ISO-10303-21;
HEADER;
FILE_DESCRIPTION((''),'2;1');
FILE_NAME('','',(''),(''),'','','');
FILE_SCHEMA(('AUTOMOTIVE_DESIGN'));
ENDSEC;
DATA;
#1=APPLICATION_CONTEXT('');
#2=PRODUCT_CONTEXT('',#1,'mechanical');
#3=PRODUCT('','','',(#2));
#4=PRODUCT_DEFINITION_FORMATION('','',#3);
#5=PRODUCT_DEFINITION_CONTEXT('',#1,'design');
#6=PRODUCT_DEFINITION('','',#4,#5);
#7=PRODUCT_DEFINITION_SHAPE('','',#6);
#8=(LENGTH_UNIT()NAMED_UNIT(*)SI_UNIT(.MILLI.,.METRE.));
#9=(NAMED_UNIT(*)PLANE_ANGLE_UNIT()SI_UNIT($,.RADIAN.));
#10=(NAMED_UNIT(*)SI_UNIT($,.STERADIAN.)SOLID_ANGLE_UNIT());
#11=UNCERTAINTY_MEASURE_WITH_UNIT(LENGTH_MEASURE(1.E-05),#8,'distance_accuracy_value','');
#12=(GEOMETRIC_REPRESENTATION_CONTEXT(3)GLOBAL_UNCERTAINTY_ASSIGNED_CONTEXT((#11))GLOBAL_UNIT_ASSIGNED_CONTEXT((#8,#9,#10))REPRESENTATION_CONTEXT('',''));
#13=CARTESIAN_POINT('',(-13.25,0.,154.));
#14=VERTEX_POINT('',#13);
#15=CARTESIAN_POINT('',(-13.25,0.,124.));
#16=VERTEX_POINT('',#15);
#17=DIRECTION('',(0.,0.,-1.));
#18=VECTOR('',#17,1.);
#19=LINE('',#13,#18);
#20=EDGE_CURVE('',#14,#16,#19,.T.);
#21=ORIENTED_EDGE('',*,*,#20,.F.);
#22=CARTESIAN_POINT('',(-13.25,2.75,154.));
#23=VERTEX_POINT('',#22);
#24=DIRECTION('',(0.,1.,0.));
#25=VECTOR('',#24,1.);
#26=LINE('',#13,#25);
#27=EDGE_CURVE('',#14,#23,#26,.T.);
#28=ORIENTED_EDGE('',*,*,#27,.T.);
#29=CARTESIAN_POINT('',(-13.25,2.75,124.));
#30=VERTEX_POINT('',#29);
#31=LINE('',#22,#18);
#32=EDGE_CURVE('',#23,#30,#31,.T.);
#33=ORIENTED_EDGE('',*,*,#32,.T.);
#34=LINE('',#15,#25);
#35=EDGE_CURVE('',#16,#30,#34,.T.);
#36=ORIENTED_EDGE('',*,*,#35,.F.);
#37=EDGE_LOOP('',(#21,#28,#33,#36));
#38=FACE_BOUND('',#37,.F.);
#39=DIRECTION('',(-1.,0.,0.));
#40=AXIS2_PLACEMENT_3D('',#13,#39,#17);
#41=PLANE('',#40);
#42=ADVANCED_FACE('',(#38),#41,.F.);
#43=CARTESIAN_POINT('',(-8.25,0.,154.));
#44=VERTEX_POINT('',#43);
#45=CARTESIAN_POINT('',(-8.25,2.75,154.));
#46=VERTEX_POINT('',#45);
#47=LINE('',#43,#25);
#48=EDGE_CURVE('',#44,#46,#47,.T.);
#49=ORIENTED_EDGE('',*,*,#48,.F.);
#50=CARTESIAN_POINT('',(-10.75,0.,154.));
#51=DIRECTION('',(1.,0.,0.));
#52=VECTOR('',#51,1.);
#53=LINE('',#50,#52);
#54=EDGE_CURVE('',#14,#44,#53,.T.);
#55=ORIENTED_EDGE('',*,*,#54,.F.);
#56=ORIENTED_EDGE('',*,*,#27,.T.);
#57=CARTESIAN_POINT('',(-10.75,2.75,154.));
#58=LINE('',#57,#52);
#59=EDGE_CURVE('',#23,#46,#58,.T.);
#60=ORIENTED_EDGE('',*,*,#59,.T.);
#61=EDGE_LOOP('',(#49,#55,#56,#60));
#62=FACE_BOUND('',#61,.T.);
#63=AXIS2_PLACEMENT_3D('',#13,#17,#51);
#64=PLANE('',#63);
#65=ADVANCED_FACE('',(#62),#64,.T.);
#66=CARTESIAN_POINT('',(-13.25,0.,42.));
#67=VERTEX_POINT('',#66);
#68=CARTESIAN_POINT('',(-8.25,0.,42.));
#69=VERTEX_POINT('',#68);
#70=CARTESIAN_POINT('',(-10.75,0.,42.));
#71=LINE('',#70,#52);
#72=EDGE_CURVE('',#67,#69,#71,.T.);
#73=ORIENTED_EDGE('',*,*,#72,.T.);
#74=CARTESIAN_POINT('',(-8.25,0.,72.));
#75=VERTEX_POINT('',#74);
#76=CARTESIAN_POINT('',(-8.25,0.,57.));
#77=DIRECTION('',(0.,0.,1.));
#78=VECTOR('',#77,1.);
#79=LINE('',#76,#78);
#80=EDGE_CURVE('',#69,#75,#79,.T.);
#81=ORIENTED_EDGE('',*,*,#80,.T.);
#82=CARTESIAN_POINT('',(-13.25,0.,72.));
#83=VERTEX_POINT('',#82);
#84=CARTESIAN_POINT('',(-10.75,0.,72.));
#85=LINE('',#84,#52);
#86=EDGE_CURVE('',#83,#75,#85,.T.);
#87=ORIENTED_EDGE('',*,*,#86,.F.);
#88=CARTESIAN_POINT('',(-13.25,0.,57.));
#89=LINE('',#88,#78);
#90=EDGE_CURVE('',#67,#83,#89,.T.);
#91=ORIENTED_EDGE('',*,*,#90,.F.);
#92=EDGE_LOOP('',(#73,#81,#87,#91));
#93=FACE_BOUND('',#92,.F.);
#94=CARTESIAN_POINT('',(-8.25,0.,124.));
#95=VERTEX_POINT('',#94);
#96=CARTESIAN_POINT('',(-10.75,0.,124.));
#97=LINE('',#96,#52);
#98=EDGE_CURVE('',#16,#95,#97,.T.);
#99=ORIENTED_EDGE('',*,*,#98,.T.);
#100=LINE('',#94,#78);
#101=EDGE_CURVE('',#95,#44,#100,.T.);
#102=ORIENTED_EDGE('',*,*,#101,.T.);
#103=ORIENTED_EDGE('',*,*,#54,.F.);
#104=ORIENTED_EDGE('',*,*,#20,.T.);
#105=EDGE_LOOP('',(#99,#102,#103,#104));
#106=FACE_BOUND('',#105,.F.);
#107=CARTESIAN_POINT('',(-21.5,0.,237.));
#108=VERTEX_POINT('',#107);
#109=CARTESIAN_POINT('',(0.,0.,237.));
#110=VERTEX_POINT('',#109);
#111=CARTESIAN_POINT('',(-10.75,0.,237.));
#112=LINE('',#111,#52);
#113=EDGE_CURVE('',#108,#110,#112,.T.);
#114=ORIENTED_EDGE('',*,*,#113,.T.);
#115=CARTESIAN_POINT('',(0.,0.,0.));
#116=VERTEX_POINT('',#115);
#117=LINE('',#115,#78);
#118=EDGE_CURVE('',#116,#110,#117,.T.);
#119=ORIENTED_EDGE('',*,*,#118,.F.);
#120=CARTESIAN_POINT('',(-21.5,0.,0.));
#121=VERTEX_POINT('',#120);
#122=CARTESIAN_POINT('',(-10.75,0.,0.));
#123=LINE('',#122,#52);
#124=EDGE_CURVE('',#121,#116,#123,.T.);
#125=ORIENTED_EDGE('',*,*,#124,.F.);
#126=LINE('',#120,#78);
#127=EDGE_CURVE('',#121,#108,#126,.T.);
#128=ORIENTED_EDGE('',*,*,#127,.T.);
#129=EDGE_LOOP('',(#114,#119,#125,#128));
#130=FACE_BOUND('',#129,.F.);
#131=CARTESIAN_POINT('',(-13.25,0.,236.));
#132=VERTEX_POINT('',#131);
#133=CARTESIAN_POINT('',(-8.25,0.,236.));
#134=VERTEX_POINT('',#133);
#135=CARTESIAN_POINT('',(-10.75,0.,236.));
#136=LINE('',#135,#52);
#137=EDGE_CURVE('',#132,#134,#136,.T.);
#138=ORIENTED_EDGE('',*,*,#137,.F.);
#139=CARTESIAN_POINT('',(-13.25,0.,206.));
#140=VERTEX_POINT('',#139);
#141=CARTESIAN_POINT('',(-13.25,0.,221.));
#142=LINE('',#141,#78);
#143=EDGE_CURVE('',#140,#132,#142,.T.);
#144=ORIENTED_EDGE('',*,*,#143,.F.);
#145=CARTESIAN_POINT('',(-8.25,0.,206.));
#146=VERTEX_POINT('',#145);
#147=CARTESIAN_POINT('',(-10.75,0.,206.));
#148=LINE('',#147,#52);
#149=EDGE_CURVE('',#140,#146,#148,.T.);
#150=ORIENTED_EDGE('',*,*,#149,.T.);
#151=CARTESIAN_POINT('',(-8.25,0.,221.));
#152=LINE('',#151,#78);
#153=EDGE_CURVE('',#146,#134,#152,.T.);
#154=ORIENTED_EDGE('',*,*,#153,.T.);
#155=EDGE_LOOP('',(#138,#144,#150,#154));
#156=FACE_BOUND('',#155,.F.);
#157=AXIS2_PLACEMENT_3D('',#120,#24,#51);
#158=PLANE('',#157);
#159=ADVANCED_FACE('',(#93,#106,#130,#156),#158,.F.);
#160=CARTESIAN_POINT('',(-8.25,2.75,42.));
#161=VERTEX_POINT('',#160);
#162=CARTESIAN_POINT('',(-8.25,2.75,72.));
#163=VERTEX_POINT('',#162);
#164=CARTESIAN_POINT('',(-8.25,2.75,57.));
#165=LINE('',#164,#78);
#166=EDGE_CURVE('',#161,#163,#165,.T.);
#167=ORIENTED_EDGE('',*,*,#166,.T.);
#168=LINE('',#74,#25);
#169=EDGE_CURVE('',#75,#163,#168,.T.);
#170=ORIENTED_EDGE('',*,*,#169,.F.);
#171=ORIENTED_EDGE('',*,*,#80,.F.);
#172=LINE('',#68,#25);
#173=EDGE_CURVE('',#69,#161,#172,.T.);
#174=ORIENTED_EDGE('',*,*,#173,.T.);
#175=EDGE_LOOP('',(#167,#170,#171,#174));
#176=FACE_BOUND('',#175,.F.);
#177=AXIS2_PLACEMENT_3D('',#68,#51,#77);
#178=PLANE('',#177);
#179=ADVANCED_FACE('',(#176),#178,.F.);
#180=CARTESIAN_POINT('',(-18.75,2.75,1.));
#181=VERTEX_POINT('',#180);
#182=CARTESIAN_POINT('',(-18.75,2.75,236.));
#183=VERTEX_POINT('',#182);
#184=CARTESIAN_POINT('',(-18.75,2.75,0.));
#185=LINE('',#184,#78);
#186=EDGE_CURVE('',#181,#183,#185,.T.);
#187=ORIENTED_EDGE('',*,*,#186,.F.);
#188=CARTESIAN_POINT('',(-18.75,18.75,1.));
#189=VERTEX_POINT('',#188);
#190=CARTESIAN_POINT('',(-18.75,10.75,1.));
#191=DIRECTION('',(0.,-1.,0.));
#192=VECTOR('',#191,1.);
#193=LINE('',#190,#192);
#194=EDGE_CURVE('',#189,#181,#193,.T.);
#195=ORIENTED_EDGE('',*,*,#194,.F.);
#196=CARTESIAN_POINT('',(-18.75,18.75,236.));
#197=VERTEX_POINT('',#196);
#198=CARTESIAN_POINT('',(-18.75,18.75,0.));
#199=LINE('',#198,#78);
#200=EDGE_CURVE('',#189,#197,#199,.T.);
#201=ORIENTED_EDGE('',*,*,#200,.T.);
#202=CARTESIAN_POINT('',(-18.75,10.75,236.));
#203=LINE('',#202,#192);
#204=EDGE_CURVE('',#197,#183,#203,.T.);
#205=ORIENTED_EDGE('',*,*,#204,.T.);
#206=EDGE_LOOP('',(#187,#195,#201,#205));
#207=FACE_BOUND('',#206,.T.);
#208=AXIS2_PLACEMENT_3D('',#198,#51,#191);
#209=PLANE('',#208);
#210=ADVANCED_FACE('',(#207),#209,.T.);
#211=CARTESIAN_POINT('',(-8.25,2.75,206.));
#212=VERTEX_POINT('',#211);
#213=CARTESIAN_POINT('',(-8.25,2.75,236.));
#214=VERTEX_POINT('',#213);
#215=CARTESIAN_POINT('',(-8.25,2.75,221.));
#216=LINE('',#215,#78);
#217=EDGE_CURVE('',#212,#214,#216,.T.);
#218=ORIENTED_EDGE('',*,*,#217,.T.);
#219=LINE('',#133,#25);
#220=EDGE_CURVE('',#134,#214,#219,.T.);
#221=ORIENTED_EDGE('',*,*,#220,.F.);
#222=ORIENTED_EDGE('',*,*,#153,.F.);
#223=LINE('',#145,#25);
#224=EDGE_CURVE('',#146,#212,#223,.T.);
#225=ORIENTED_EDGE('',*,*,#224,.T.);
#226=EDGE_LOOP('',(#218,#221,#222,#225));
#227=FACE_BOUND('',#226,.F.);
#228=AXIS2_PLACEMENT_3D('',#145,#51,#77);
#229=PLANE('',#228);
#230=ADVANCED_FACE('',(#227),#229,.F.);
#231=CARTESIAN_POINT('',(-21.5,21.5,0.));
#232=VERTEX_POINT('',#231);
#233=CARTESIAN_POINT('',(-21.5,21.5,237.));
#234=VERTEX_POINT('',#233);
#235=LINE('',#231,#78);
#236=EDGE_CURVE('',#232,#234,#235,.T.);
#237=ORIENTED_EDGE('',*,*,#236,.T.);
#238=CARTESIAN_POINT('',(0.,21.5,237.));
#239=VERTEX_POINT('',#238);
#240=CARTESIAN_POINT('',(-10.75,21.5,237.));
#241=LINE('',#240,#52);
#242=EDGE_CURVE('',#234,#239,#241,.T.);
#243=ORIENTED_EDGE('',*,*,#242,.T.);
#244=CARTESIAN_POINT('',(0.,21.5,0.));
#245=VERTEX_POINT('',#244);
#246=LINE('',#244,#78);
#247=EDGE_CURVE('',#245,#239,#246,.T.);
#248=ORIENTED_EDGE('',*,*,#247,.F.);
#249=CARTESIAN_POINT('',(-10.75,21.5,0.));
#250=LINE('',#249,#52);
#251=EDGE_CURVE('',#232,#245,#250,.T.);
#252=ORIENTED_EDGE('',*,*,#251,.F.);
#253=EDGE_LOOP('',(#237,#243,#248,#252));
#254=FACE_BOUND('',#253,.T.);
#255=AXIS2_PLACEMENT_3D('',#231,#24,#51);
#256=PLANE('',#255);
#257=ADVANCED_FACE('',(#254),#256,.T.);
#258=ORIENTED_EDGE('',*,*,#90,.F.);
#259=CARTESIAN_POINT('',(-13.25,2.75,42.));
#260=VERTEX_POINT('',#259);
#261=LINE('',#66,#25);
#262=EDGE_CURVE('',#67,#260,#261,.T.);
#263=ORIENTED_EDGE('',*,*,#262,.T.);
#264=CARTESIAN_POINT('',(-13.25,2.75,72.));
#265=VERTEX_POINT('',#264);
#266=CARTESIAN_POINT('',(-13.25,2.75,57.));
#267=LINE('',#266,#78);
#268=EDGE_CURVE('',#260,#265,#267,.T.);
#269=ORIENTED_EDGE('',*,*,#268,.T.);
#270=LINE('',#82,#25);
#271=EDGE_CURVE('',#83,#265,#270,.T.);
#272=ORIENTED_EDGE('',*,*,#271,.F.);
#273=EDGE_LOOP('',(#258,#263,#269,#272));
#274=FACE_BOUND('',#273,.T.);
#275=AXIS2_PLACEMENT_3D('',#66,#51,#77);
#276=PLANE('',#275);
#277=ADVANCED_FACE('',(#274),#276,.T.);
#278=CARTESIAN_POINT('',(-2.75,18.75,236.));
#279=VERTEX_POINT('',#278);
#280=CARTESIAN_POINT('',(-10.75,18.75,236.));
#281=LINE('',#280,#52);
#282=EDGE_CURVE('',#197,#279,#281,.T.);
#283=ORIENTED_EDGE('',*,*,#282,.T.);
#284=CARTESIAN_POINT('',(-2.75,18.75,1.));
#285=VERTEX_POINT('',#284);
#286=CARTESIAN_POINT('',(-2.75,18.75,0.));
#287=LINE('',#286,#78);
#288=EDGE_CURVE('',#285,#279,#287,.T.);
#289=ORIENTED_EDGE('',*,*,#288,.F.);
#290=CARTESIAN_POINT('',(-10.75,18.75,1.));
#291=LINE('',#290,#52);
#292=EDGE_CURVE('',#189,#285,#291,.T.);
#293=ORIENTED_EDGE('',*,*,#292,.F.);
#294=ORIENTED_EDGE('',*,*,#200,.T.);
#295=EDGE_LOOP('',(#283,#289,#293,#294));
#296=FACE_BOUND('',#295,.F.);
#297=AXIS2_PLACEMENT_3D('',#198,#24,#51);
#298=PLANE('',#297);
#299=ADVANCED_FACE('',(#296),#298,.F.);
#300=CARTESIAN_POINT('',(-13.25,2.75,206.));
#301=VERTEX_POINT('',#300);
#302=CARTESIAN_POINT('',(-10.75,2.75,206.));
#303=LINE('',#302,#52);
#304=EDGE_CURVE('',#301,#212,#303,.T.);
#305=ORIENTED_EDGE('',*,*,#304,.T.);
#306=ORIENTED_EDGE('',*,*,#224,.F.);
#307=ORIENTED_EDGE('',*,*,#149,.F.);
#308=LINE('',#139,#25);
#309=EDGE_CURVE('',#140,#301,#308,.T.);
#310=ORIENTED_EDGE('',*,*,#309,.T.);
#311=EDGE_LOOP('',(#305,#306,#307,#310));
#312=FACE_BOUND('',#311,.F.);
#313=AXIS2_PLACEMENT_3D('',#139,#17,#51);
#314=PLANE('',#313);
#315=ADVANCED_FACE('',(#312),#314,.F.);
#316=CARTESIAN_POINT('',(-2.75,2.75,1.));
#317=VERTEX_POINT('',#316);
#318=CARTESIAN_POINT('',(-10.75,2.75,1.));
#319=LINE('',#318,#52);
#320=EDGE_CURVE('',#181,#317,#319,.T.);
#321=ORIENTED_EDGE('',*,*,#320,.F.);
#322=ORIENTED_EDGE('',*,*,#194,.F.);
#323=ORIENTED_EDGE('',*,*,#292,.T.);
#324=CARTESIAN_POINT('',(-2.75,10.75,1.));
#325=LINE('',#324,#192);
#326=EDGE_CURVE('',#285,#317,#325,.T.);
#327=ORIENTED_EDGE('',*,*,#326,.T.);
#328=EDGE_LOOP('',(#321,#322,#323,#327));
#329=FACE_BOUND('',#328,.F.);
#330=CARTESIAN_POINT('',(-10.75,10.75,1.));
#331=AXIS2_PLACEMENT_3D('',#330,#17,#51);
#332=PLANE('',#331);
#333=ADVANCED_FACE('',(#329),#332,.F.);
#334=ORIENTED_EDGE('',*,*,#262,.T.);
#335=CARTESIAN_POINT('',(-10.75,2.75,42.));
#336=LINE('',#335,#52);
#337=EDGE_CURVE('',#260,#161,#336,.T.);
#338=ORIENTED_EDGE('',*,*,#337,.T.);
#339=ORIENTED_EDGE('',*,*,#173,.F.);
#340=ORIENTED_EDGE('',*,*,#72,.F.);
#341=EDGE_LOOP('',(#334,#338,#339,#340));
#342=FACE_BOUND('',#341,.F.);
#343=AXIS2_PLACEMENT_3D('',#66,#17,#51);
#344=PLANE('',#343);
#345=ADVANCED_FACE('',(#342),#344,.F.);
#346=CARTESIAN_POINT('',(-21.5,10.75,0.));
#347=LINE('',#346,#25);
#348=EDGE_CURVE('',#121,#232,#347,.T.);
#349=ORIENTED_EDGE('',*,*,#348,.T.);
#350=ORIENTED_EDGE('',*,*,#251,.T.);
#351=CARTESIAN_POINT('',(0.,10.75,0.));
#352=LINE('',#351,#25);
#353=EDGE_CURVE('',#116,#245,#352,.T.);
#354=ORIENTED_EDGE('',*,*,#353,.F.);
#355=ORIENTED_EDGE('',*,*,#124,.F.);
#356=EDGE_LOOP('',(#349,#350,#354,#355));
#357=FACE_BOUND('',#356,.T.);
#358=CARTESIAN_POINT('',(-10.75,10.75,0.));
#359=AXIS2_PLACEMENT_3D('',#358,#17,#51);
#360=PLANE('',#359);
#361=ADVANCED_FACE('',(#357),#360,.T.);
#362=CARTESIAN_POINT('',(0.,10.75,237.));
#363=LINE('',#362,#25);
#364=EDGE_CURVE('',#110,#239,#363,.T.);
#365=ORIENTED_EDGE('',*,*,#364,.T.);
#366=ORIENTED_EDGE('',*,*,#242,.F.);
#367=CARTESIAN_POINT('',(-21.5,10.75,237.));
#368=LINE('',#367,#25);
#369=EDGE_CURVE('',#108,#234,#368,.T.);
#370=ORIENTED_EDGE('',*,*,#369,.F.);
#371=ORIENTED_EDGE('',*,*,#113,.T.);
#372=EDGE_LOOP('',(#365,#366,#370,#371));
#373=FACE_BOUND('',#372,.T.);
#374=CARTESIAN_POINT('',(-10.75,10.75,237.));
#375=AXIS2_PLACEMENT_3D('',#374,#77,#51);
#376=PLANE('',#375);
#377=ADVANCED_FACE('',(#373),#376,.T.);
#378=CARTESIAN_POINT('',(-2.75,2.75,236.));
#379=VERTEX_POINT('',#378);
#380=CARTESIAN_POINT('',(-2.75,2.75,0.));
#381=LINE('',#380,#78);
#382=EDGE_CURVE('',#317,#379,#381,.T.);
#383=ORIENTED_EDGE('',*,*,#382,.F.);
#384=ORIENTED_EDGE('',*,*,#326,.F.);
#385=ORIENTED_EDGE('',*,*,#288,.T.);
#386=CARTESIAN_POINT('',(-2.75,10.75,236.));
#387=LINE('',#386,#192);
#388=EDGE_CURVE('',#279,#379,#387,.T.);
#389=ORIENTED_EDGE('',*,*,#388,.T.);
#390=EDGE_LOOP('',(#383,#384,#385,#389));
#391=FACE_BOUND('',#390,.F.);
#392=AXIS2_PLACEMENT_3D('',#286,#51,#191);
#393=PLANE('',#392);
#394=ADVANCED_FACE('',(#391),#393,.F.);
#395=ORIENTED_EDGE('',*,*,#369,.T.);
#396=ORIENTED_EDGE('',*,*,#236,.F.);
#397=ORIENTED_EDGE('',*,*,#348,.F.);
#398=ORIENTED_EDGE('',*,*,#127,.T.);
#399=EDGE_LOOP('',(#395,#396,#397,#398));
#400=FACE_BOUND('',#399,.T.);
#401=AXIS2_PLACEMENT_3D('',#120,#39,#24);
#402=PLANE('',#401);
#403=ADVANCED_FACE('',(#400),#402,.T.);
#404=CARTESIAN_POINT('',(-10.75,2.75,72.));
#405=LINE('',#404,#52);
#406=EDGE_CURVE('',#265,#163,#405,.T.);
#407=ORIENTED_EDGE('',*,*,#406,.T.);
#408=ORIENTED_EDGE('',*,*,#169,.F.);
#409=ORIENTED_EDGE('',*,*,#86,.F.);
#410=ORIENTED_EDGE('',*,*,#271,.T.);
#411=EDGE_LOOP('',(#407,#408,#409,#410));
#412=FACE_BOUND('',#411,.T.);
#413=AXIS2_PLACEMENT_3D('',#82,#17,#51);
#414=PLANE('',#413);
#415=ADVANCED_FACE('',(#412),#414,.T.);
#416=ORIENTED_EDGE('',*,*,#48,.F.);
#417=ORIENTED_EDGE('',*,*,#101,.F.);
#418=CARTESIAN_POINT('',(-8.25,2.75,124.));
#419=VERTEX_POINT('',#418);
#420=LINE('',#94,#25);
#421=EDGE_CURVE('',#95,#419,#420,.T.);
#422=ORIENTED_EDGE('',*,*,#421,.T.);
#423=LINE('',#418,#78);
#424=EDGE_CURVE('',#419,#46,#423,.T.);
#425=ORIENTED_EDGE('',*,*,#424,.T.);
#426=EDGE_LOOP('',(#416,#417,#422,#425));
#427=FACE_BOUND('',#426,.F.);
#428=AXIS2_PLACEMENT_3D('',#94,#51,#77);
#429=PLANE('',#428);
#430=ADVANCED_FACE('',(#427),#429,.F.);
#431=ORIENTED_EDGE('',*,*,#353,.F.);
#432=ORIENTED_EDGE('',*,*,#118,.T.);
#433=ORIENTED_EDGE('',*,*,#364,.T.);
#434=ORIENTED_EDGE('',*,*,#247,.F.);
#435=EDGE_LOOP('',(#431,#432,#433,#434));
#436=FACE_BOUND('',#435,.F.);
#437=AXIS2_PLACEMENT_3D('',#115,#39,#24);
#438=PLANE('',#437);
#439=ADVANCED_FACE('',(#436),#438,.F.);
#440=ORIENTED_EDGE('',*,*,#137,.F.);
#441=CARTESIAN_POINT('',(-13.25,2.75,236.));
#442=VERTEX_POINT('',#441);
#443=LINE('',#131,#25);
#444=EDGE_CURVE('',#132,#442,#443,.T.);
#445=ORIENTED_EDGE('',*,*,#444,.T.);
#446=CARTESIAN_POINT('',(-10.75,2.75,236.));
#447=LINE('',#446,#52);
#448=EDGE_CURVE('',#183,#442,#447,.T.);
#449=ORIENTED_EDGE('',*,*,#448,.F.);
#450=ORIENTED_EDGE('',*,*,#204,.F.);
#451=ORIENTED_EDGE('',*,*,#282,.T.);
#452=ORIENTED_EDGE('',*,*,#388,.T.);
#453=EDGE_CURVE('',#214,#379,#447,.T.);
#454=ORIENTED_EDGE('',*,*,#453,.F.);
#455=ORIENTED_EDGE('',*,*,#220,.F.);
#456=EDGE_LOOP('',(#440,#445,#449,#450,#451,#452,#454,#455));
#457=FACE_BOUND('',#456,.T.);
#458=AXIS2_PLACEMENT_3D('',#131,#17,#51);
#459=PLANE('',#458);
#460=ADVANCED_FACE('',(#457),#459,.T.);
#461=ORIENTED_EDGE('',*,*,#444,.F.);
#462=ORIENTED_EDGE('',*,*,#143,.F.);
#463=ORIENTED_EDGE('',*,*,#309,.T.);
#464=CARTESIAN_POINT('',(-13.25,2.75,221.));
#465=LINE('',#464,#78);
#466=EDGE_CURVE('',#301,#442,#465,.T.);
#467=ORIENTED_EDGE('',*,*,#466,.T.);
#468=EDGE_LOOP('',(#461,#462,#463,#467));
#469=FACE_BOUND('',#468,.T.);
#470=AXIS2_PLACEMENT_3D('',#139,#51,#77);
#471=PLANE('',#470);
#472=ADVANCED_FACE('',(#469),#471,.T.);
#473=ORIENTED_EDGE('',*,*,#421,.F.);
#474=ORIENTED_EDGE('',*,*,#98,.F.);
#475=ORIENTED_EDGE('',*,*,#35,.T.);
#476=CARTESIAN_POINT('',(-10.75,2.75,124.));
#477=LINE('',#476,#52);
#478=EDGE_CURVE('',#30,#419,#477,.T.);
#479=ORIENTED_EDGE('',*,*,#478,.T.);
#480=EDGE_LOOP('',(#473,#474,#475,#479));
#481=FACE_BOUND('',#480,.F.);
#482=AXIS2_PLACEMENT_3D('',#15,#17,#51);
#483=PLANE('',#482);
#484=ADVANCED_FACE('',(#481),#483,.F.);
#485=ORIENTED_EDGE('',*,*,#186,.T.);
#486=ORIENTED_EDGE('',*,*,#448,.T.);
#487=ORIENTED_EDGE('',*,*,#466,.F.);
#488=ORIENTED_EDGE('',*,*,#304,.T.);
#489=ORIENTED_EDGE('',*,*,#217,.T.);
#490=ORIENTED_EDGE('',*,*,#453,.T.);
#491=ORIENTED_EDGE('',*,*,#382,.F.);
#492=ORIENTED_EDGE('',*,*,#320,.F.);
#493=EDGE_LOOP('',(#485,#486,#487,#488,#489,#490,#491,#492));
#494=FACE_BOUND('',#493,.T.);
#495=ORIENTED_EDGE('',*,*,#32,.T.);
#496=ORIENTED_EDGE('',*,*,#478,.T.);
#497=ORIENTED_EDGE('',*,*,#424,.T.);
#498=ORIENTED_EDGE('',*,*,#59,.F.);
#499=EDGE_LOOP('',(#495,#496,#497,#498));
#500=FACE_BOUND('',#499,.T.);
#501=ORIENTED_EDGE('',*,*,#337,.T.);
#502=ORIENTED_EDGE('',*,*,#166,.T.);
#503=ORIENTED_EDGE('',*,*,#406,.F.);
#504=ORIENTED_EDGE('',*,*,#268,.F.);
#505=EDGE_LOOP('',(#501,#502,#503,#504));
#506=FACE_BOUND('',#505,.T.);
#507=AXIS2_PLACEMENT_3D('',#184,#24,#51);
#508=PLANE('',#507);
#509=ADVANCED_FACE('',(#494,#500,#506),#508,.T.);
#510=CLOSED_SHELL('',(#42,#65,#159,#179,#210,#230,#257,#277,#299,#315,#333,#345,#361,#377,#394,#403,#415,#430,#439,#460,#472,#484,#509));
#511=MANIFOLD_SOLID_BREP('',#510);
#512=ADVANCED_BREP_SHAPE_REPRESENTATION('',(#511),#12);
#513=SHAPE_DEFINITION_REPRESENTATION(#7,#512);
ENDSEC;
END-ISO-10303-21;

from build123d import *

# Parameters (mm, degrees)
F0_W     = 21.5
F0_H     = 21.5
F0_W_2   = 16
F0_H_2   = 16
F1_DEPTH = 237
F2_W     = 5
F2_H     = 30
F2_H_2   = 15
F3_DEPTH = 2.75
F4_W     = 16
F4_H     = 16
F5_DEPTH = 236
F6_W     = 16
F6_H     = 16
F7_DEPTH = 1


with BuildPart() as f1:
    # F0 (on Top) → F1 (new body)
    with BuildSketch(Plane.XY):
        with Locations((-10.75, 10.75)):
            Rectangle(F0_W, F0_H)
        with Locations((-10.75, 10.75)):
            Rectangle(F0_W_2, F0_H_2, mode=Mode.SUBTRACT)
        with Locations((-10.75, 10.75)):
            Rectangle(F0_W_2, F0_H_2)
    extrude(amount=F1_DEPTH)

    # F2 (on face) → F3 (cut)
    with BuildSketch(Plane.XZ):
        with Locations((-10.75, 221)):
            Rectangle(F2_W, F2_H)
        with Locations((-10.75, 146.5)):
            Rectangle(F2_W, F2_H_2)
        with Locations((-10.75, 131.5)):
            Rectangle(F2_W, F2_H_2)
        with Locations((-10.75, 57)):
            Rectangle(F2_W, F2_H)
    extrude(amount=-F3_DEPTH, mode=Mode.SUBTRACT)

    # F4 (on face) → F5 (cut)
    with BuildSketch(Plane(origin=(0, 0, 0), x_dir=(1, 0, 0), z_dir=(0, 0, -1))):
        with Locations((-10.75, -10.75)):
            Rectangle(F4_W, F4_H)
    extrude(amount=-F5_DEPTH, mode=Mode.SUBTRACT)

    # F6 (on face) → F7 (join)
    with BuildSketch(Plane(origin=(0, 0, 0), x_dir=(1, 0, 0), z_dir=(0, 0, -1))):
        with Locations((-10.75, -10.75)):
            Rectangle(F6_W, F6_H)
    extrude(amount=-F7_DEPTH)


solid = f1.part
